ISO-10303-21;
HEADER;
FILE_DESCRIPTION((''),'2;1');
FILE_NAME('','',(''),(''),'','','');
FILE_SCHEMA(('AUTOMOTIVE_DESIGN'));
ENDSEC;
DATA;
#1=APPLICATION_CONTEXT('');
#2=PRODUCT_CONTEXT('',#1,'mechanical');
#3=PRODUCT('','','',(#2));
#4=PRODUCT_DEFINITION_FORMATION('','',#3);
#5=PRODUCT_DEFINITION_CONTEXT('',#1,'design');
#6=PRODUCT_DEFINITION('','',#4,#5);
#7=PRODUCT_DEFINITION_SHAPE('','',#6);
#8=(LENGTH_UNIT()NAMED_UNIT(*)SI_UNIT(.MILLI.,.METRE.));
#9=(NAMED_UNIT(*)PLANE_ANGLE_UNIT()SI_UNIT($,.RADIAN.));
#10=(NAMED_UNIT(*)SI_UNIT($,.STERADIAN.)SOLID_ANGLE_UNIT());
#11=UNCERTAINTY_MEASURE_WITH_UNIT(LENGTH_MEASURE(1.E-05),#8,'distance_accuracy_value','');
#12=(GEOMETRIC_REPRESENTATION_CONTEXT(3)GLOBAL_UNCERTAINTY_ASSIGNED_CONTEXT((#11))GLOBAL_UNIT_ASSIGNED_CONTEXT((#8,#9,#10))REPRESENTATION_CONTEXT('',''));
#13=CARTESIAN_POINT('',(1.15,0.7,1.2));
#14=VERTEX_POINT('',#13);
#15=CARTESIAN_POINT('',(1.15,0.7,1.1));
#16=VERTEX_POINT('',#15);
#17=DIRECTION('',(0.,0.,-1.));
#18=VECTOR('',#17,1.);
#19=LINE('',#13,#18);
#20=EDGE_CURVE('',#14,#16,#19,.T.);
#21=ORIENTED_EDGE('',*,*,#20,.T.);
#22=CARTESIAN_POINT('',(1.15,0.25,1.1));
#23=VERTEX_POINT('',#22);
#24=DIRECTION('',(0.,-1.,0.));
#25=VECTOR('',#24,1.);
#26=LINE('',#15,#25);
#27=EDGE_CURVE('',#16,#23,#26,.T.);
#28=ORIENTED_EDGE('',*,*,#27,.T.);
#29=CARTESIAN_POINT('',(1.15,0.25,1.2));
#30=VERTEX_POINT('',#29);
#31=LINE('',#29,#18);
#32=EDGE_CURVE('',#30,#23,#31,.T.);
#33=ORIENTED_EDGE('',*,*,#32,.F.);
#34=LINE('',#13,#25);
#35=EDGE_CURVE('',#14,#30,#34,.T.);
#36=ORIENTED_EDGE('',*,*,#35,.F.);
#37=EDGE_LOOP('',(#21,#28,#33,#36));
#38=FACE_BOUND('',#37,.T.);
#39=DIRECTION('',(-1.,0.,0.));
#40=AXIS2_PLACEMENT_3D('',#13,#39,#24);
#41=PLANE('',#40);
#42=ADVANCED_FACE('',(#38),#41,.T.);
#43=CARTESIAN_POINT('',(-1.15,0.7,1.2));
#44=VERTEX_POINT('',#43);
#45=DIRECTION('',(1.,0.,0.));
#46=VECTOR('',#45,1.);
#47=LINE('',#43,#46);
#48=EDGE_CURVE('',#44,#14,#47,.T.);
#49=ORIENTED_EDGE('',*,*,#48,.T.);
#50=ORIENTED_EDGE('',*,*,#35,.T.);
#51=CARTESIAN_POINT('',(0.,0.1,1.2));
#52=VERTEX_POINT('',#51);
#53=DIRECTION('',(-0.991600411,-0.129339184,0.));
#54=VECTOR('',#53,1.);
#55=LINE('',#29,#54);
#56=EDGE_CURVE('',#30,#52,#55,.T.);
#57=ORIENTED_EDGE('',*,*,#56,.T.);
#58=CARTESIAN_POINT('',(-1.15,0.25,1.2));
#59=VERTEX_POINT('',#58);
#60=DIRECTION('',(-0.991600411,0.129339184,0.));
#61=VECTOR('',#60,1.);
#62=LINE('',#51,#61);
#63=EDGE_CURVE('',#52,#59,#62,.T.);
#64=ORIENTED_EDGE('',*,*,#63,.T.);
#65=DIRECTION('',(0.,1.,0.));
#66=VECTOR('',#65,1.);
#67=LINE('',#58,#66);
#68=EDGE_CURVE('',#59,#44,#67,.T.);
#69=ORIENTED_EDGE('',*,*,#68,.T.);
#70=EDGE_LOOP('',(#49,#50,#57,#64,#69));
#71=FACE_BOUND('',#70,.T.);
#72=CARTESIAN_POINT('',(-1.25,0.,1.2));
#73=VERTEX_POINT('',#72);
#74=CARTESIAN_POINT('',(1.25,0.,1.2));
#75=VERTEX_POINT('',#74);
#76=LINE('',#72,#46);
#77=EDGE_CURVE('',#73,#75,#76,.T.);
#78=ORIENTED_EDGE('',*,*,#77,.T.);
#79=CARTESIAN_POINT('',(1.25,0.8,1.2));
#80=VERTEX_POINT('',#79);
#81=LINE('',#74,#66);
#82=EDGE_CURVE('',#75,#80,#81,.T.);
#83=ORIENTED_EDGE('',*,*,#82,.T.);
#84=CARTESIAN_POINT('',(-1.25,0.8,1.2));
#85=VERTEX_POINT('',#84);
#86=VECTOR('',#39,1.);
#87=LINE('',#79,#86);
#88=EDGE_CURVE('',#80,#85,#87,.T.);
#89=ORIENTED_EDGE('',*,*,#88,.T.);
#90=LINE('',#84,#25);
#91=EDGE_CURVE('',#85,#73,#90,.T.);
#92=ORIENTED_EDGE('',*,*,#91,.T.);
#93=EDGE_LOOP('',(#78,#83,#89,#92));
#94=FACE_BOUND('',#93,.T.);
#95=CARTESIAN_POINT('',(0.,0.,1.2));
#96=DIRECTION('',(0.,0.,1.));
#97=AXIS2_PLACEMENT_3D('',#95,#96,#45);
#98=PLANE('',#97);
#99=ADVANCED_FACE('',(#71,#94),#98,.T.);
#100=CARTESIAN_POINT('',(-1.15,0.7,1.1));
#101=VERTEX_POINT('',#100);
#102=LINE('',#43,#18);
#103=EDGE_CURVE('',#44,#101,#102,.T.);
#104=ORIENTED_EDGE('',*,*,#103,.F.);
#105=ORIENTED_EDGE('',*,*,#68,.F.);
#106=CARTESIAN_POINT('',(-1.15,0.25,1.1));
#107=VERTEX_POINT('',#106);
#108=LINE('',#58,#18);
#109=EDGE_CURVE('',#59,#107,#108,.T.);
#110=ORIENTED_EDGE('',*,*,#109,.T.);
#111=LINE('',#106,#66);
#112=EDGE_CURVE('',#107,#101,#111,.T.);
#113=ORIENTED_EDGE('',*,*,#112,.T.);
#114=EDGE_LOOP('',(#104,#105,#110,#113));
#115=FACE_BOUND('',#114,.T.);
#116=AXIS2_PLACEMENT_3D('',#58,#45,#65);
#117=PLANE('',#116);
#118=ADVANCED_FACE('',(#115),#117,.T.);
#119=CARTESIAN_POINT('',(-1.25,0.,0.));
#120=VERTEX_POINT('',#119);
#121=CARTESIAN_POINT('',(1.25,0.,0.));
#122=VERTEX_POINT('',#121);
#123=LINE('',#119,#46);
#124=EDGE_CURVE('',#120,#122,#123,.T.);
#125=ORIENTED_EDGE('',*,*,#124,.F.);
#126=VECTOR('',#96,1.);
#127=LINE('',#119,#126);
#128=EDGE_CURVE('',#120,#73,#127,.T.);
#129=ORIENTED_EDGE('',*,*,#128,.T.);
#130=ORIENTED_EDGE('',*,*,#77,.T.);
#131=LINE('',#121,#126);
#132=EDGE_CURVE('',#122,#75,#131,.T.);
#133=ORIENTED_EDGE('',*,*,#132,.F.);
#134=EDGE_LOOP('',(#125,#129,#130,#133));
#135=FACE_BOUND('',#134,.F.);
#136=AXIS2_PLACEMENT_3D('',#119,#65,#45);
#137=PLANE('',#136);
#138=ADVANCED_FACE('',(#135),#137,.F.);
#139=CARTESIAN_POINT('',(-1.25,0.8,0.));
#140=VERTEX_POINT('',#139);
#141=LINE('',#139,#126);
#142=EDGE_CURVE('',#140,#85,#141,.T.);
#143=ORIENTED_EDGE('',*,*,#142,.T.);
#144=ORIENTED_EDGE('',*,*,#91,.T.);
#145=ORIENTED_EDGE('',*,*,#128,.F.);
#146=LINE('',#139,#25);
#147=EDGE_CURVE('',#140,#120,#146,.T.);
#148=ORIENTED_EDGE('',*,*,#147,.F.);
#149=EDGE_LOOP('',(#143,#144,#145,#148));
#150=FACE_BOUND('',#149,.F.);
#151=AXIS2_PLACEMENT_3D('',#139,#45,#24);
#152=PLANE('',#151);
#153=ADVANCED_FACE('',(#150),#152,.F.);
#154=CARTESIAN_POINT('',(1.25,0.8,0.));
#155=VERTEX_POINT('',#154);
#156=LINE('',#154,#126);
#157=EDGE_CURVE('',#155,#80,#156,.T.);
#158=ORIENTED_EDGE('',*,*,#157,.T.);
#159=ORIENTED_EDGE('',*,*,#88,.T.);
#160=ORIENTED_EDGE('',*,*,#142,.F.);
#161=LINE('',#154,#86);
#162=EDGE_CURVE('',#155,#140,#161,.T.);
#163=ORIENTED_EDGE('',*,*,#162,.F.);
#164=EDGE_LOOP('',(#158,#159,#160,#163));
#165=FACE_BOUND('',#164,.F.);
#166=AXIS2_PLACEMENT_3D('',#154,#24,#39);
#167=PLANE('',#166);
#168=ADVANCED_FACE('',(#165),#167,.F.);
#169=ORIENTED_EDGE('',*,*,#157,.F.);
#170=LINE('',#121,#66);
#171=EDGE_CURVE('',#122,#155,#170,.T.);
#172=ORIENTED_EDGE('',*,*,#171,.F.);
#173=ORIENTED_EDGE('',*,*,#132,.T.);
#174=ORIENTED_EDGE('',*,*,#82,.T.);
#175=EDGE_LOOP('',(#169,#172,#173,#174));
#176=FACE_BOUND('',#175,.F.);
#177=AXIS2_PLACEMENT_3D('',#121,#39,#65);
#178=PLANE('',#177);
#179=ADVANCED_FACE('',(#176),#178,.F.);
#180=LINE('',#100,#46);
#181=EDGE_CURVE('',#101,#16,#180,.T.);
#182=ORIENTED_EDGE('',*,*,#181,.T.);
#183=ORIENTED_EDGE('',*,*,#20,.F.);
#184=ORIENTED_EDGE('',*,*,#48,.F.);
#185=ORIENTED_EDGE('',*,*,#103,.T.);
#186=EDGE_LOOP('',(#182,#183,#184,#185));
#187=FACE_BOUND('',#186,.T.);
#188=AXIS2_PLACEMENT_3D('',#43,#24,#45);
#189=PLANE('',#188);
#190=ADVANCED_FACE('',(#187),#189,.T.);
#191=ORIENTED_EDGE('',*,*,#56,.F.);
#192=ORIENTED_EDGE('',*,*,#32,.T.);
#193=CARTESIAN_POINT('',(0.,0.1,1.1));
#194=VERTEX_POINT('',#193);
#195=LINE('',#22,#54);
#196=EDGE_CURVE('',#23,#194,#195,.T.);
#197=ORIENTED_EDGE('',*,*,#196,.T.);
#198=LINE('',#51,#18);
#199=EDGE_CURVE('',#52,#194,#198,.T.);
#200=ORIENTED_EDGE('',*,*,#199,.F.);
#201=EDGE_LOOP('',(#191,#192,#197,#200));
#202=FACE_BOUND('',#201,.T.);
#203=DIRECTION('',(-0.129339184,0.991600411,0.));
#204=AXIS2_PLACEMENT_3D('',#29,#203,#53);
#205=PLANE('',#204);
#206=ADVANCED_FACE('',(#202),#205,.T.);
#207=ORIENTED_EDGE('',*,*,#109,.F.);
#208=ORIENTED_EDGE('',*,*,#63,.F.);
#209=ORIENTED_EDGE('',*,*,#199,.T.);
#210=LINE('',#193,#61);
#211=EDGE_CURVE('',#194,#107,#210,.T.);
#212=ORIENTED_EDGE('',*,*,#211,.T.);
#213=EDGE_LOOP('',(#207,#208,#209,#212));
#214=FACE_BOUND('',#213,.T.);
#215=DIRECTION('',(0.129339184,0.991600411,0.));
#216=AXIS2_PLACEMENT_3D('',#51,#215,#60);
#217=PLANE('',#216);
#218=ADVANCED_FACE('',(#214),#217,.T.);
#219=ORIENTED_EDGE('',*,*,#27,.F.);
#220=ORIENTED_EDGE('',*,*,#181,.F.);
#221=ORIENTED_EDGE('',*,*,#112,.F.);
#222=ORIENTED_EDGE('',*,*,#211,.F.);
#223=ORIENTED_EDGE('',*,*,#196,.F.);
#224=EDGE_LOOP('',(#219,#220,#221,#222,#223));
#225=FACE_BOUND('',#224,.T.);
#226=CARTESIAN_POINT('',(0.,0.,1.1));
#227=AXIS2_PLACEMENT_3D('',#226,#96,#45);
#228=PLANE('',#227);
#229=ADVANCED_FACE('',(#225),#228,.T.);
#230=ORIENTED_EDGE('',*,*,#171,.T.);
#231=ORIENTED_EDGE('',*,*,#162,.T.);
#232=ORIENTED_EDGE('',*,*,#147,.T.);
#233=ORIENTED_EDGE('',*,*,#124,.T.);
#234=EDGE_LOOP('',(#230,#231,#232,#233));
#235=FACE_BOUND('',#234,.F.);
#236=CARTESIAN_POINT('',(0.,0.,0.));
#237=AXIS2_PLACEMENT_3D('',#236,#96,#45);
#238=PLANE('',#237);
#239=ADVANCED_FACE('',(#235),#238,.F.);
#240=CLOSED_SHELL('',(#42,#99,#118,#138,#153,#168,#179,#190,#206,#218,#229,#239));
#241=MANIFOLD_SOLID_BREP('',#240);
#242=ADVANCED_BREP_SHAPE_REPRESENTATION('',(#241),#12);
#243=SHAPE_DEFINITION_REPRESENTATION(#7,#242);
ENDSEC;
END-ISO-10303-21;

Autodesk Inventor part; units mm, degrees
ref_plane "YZ Plane" through (0, 0, 0) normal (1, 0, 0) x (0, 1, 0)
ref_plane "XZ Plane" through (0, 0, 0) normal (0, 1, 0) x (-1, 0, 0)
ref_plane "XY Plane" through (0, 0, 0) normal (0, 0, 1) x (1, 0, 0)
sketch "Sketch1" plane through (0, 0, 0) normal (0, 0, 1) x (1, 0, 0)
  line L0 (-1.25, 0) -> (1.25, 0)
  line L1 (1.25, 0) -> (1.25, 0.8)
  line L2 (1.25, 0.8) -> (-1.25, 0.8)
  line L3 (-1.25, 0.8) -> (-1.25, 0)
  point P0 (0, 0)
  dimension "d0" = 2.5
  dimension "d1" = 1.25
  dimension "d2" = 0.8
extrude "Extrusion1" add sketch "Sketch1" along normal blind 1.2
sketch "Sketch2" plane through (0, 0, 1.2) normal (0, 0, 1) x (1, 0, 0)
  line L0 (-1.15, 0.7) -> (1.15, 0.7)
  line L1 (1.15, 0.7) -> (1.15, 0.25)
  line L2 (1.15, 0.25) -> (0, 0.1)
  line L3 (0, 0.1) -> (-1.15, 0.25)
  line L4 (-1.15, 0.25) -> (-1.15, 0.7)
  line L5 (-1.25, 0.8) -> (-1.25, 0) projected
  line L6 (1.25, 0) -> (1.25, 0.8) projected
  line L7 (1.25, 0.8) -> (-1.25, 0.8) projected
  point P0 (0, 0)
  dimension "d5" = 0.45
  dimension "d6" = 0.1
  dimension "d7" = 0.1
  dimension "d8" = 0.1
  dimension "d9" = 0.45
  dimension "d10" = 0.1
extrude "Extrusion2" cut sketch "Sketch2" against normal blind 0.1
equation "\"d1\" = 0.5 * d0"
equation "\"d9\" = d5"
properties part number "XGEN_LED-sidelooker_green"
